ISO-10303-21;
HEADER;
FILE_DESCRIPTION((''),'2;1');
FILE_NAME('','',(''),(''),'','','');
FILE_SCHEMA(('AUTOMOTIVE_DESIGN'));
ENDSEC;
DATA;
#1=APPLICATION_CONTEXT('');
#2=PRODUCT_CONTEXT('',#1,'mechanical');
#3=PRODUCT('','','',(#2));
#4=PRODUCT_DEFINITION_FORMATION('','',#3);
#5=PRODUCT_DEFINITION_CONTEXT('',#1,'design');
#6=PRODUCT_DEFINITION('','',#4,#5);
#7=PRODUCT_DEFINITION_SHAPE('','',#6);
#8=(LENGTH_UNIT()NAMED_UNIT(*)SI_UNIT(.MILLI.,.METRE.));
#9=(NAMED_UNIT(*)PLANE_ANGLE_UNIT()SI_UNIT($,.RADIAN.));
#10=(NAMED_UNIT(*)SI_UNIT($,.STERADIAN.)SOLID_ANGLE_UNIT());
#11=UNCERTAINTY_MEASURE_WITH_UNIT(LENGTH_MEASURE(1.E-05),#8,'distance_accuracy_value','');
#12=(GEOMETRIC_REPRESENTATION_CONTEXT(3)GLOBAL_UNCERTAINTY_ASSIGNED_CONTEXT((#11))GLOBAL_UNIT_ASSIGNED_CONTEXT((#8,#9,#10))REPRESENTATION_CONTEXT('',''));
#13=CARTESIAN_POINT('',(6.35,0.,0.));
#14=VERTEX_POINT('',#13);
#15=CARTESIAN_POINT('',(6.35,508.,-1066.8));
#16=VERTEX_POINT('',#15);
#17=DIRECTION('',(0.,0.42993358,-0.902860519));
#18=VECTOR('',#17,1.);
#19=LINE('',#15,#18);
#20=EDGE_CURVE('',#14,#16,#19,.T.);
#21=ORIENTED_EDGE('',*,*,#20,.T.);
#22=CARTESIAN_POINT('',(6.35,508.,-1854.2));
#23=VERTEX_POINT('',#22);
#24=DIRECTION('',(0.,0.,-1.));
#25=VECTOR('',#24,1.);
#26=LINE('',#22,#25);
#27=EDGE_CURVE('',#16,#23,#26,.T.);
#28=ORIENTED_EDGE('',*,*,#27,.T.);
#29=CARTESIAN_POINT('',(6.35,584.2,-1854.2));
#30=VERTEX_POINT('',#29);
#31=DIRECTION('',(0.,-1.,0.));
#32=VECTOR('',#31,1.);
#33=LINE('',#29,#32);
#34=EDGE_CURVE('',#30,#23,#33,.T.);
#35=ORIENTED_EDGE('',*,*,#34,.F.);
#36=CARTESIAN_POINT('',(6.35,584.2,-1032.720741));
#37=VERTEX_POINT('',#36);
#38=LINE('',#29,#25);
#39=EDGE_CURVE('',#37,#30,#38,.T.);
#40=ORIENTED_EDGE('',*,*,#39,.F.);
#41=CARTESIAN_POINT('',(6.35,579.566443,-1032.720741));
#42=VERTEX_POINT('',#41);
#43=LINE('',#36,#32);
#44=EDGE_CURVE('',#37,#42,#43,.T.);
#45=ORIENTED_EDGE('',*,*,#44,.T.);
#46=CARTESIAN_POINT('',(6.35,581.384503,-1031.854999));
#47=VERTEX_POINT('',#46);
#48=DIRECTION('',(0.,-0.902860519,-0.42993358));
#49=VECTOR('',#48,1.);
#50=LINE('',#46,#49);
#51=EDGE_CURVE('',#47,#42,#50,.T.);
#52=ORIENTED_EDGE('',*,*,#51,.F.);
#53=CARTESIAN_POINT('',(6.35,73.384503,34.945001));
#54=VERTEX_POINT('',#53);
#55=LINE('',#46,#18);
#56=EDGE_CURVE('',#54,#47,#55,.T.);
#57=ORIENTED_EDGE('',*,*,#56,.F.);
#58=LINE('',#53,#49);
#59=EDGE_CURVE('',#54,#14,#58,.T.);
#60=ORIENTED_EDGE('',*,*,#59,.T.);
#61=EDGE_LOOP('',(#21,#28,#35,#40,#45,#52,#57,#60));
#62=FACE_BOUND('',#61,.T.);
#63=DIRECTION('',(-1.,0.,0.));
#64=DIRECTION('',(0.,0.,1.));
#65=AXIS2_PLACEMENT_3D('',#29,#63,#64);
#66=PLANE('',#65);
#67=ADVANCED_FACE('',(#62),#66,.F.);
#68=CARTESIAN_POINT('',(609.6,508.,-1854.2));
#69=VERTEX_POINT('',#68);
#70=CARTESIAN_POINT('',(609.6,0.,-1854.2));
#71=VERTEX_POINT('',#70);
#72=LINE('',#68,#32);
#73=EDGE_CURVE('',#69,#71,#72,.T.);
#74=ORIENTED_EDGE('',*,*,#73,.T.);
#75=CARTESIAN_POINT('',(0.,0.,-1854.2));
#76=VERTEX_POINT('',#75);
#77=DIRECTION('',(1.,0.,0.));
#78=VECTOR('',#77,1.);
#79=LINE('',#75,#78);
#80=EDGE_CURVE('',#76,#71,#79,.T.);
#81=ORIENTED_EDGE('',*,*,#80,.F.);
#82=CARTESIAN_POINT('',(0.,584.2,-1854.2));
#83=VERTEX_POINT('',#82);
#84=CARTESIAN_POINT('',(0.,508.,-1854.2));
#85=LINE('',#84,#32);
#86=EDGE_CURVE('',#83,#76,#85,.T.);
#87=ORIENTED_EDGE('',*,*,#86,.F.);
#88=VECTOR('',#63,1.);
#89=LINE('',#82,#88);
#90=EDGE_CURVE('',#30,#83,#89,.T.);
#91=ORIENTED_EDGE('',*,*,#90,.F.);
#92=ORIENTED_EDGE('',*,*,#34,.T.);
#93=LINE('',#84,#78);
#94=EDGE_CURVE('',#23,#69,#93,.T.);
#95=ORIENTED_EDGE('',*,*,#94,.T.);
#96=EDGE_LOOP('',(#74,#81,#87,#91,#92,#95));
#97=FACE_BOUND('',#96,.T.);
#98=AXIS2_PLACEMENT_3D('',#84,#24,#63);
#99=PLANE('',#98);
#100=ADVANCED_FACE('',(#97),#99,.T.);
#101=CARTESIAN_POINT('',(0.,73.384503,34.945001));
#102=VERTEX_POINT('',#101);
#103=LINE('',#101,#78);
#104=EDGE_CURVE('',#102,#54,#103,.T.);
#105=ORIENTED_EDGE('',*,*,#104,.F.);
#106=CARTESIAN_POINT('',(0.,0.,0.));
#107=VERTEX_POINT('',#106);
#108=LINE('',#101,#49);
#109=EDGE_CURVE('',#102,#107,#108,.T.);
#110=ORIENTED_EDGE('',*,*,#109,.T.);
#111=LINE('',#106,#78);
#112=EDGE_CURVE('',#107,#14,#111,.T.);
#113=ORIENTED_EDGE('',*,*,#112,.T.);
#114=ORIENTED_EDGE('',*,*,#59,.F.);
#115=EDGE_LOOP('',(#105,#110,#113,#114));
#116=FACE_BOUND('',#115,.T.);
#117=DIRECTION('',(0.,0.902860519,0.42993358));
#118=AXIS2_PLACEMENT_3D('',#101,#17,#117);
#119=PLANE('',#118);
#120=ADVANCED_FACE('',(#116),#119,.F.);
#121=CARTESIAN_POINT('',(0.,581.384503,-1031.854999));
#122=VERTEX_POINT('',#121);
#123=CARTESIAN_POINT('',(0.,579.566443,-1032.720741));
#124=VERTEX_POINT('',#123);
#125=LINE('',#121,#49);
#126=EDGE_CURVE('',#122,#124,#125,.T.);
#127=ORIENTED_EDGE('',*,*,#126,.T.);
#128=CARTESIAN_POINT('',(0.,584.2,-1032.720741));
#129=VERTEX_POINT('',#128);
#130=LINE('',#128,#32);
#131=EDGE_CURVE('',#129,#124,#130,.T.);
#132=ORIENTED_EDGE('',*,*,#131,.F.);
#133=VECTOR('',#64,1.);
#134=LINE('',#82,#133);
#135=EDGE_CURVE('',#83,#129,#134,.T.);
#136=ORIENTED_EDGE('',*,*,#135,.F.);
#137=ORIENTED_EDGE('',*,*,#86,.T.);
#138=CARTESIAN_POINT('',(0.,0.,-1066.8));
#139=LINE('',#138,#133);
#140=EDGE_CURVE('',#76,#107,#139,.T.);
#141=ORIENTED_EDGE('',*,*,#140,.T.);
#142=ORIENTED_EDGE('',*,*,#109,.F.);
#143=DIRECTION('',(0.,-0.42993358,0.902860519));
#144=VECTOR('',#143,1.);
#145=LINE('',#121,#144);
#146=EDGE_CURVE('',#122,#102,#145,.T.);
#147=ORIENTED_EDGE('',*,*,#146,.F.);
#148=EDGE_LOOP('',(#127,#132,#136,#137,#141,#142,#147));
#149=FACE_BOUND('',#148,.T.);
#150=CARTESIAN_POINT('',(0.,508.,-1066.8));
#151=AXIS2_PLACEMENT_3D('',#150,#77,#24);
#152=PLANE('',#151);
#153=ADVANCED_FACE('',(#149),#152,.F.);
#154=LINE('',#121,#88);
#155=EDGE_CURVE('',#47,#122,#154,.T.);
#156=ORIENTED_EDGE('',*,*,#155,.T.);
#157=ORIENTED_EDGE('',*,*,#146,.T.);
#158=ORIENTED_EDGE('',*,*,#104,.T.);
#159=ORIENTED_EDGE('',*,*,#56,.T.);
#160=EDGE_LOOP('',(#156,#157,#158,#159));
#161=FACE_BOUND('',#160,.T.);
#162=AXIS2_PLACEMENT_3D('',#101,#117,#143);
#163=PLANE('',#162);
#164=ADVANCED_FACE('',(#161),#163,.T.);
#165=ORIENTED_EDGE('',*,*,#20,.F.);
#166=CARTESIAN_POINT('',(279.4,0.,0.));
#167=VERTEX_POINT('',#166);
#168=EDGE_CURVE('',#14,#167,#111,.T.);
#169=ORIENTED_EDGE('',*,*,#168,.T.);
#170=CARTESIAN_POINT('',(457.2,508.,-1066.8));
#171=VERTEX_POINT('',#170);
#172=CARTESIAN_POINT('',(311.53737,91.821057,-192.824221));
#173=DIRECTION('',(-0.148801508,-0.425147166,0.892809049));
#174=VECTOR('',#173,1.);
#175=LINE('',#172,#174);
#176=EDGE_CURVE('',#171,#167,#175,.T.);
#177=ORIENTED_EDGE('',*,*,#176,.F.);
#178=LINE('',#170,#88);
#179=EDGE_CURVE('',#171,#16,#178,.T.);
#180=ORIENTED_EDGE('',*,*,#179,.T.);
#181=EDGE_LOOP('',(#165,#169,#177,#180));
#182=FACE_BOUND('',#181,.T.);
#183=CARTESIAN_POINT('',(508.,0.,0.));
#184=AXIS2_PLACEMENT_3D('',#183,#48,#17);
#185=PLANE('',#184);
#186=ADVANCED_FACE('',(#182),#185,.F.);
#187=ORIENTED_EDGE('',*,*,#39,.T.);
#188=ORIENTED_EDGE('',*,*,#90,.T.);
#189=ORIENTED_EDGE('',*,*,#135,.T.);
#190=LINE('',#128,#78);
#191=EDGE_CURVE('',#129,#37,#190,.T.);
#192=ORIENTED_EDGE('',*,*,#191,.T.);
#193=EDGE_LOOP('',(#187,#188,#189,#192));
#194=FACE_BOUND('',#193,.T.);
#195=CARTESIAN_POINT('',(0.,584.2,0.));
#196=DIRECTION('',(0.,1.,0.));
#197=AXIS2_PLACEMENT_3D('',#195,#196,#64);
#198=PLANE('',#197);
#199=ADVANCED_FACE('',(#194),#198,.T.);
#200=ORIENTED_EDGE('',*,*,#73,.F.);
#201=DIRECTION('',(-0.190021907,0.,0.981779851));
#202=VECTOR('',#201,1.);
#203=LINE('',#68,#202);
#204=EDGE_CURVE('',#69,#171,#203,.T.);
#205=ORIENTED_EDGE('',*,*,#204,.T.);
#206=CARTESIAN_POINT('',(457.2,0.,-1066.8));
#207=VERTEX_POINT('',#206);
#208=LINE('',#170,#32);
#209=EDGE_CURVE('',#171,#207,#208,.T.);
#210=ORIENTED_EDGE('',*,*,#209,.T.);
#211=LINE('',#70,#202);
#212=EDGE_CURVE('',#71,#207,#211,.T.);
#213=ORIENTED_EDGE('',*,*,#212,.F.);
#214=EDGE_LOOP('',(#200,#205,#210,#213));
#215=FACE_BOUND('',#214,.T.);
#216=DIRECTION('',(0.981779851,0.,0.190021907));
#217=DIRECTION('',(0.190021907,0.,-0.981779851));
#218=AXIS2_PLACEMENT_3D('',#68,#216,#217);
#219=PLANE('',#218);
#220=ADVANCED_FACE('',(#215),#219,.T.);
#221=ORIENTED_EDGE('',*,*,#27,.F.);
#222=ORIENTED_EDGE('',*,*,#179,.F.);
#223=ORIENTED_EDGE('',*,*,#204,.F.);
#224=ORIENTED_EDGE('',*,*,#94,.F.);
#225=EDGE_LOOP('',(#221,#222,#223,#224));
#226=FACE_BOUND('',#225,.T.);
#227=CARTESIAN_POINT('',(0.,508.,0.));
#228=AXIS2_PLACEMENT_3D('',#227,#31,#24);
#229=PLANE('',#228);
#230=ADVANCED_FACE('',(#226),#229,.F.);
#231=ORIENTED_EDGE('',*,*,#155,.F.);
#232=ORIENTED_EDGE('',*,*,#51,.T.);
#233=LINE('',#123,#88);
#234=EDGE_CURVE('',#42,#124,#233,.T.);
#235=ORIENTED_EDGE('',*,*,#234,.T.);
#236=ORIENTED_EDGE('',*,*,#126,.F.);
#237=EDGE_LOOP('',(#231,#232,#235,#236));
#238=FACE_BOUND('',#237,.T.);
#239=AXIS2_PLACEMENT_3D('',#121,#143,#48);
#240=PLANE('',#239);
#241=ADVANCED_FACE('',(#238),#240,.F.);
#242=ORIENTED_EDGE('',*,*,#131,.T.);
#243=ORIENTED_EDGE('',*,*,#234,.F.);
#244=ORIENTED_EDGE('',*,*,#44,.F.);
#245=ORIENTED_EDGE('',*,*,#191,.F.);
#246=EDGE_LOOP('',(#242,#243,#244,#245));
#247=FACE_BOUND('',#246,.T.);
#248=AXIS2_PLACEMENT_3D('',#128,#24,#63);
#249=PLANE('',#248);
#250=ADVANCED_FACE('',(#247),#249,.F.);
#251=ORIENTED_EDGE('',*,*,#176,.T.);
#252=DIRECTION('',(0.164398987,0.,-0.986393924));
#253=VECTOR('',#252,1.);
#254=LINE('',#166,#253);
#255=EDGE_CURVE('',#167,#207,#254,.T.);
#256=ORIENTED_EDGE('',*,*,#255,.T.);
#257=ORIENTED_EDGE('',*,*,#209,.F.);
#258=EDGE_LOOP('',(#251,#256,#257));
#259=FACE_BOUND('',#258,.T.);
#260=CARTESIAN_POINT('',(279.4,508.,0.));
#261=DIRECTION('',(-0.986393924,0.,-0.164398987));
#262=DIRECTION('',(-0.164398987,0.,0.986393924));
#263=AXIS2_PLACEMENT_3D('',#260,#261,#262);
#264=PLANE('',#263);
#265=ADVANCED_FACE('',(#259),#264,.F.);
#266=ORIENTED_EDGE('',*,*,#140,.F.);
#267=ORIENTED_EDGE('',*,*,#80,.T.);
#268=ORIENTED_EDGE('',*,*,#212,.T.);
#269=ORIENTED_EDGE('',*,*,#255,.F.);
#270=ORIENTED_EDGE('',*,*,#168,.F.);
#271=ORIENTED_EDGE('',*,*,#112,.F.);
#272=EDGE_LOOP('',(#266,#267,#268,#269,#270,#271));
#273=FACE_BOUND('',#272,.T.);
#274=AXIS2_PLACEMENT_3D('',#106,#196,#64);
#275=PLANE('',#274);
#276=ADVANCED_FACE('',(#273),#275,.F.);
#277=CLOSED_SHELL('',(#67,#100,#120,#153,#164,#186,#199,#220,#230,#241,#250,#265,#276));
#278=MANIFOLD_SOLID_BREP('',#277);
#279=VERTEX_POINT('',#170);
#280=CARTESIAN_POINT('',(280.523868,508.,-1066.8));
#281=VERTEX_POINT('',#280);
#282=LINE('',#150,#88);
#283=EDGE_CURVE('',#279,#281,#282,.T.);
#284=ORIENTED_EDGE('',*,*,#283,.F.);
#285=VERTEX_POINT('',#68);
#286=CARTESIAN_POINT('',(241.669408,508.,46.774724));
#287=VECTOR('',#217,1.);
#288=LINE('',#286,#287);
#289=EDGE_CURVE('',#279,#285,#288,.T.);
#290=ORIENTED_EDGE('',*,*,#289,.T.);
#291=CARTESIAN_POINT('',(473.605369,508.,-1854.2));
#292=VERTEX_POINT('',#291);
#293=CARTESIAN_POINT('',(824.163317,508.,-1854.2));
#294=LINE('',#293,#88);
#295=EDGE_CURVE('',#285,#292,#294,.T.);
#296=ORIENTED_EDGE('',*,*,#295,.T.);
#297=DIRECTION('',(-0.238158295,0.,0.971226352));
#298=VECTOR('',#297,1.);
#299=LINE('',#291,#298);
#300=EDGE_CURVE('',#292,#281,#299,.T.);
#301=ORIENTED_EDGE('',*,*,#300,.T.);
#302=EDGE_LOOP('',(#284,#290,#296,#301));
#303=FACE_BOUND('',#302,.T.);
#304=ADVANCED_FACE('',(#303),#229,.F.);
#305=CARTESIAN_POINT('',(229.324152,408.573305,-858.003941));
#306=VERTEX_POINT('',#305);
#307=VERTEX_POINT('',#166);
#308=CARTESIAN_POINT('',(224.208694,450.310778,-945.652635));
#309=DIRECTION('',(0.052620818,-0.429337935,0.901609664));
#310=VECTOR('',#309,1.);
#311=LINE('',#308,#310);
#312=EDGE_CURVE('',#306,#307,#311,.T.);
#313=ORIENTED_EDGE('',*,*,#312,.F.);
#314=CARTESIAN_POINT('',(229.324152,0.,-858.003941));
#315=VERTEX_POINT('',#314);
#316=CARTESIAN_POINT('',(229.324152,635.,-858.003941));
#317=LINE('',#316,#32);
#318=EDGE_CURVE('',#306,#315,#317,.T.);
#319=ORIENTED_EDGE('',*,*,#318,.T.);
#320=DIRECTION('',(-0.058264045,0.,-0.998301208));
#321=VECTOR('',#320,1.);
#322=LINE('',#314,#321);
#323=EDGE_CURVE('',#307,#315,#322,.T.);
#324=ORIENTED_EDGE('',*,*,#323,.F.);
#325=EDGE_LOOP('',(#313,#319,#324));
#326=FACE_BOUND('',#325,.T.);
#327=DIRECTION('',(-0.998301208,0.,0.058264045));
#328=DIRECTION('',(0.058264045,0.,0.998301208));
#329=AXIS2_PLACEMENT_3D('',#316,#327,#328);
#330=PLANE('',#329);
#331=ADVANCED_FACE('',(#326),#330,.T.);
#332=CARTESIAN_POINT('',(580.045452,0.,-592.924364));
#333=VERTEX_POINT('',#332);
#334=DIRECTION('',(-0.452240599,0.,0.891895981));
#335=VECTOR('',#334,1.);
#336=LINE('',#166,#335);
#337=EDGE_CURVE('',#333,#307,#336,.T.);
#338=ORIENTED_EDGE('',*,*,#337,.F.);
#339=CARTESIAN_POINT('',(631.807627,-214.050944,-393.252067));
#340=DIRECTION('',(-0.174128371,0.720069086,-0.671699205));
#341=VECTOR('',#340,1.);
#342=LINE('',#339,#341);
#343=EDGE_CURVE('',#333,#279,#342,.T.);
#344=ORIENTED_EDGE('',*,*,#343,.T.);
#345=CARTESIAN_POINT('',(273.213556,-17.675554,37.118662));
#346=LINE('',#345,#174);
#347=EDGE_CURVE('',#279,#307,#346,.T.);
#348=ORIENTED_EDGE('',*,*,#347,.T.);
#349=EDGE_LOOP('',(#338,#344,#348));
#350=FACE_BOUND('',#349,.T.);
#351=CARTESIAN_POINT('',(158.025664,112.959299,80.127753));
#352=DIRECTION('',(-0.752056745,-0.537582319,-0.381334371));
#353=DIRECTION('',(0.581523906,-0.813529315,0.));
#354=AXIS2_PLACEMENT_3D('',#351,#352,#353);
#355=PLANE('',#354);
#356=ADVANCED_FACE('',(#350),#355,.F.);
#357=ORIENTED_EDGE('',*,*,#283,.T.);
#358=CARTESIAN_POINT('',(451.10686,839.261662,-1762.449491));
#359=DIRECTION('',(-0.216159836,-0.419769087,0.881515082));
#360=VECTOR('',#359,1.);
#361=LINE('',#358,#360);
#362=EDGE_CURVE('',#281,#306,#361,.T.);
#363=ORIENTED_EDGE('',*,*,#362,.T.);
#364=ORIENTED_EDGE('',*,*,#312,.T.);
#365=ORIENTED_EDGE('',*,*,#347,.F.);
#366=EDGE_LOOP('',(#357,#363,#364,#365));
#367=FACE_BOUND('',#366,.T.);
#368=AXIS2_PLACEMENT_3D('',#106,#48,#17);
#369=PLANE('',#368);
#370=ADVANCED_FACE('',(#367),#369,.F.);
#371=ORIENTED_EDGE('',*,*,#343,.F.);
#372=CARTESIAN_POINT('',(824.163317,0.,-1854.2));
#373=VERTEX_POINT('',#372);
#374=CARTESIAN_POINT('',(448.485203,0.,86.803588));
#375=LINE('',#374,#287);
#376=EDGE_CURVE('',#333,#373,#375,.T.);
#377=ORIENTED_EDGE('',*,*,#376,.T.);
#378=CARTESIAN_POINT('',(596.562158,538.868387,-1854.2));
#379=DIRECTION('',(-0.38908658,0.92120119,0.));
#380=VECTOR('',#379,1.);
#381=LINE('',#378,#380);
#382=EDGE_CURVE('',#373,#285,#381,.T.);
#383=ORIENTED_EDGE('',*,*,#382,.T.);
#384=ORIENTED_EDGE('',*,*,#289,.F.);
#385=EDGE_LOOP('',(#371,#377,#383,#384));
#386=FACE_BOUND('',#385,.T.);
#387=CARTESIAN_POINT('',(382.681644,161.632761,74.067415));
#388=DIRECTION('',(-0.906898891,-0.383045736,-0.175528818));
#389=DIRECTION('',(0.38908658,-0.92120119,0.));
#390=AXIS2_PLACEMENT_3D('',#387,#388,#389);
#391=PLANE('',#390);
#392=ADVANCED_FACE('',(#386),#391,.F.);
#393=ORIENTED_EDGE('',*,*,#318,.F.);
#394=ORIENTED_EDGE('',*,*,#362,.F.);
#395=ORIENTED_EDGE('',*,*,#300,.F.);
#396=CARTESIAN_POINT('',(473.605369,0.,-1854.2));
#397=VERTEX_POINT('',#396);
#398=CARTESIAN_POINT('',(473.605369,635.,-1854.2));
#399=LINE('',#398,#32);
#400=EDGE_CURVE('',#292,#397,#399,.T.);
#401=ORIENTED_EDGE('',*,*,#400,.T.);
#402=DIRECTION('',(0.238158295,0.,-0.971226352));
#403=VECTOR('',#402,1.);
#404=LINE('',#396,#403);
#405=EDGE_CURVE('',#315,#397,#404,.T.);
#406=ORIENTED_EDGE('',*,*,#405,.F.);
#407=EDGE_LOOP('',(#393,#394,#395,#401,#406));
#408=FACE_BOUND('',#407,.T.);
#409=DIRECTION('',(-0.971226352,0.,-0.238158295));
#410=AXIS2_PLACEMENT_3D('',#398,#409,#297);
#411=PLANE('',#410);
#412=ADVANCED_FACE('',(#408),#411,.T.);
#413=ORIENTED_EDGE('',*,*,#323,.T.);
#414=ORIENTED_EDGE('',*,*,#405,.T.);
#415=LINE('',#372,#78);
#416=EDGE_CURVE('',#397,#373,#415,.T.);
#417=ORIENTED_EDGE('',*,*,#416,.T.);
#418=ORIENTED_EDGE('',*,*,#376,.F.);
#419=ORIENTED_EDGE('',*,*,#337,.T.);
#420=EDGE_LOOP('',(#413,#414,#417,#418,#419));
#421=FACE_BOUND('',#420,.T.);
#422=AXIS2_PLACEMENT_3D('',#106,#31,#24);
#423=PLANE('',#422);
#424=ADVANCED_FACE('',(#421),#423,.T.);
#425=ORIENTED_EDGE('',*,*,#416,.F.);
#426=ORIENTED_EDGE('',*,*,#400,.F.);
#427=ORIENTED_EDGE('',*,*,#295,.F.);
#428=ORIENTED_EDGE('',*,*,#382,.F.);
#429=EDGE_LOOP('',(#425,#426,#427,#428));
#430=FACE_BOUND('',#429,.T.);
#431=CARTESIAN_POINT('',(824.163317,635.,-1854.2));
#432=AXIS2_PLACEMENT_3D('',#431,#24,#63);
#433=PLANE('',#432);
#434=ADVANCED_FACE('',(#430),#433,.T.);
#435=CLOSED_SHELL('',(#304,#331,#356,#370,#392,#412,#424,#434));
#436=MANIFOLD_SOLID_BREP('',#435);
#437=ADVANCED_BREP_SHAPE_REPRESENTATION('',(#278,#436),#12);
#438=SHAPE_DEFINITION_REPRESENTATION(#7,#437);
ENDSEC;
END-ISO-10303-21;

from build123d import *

# Parameters (mm, degrees)
BOSS_EXTRUDE1_DEPTH = 508
CUT_EXTRUDE1_DEPTH  = 508
BOSS_EXTRUDE2_DEPTH = 508
BOSS_EXTRUDE3_DEPTH = 635
CUT_EXTRUDE3_DEPTH  = 1016
CUT_EXTRUDE6_DEPTH  = 508
CUT_EXTRUDE7_DEPTH  = 1016
CUT_EXTRUDE8_DEPTH  = 1016
CUT_EXTRUDE9_DEPTH  = 1016
SKETCH10_W          = 6.35
SKETCH10_H          = 821.479258641
BOSS_EXTRUDE4_DEPTH = 76.2
SKETCH11_W          = 6.35
SKETCH11_H          = 1181.577860321
BOSS_EXTRUDE6_DEPTH = 81.28


with BuildPart() as part:
    # Sketch1 → Boss-Extrude1 (new body)
    with BuildSketch(Plane(origin=(0, 0, 0), x_dir=(1, 0, 0), z_dir=(0, 1, 0))):
        Polygon((0, 1066.8), (0, 0), (279.4, 0), (457.2, 1066.8), align=None)
    extrude(amount=BOSS_EXTRUDE1_DEPTH)

    # Sketch2 → Cut-Extrude1 (cut)
    with BuildSketch(Plane.ZY):
        Polygon((0, 0), (-1066.8, 508), (-1066.8, 732.672417782), (0, 732.672417782), align=None)
    extrude(amount=-CUT_EXTRUDE1_DEPTH, mode=Mode.SUBTRACT)

    # Sketch3 → Boss-Extrude2 (add)
    with BuildSketch(Plane.XZ):
        Polygon((0, -1066.8), (0, -1854.2), (609.6, -1854.2), (457.2, -1066.8), align=None)
    extrude(amount=-BOSS_EXTRUDE2_DEPTH)

    # Sketch10 → Boss-Extrude4 (add)
    with BuildSketch(Plane(origin=(0, 508, 0), x_dir=(1, 0, 0), z_dir=(0, 1, 0))):
        with Locations((3.175, 1443.46037068)):
            Rectangle(SKETCH10_W, SKETCH10_H)
    extrude(amount=BOSS_EXTRUDE4_DEPTH)

    # Sketch11 → Boss-Extrude6 (add)
    with BuildSketch(Plane(origin=(0, 0, 0), x_dir=(1, 0, 0), z_dir=(0, 0.902860519, 0.42993358))):
        with Locations((3.175, 590.788930161)):
            Rectangle(SKETCH11_W, SKETCH11_H)
    extrude(amount=BOSS_EXTRUDE6_DEPTH)


with BuildPart() as body_2:
    # Sketch4 → Boss-Extrude3 (new body)
    with BuildSketch(Plane.XZ):
        Polygon((279.4, 0), (758.024602406, -943.929756814), (824.163316724, -1854.2), (609.6, -1854.2), (473.605368522, -1854.2), (229.324151542, -858.00394067), align=None)
    extrude(amount=-BOSS_EXTRUDE3_DEPTH)

    # Sketch5 → Cut-Extrude3 (cut)
    with BuildSketch(Plane(origin=(158.02566363, 112.959299077, 80.127753023), x_dir=(-0.31022669, -0.221755053, 0.924437179), z_dir=(-0.752056745, -0.537582319, -0.381334371))):
        Polygon((-393.664649125, 703.625608499), (953.241894052, -176.928807588), (-1326.842790058, -923.556364957), (-2274.788319735, -628.326732027), (-2325.528348512, 172.375821483), align=None)
    extrude(amount=-CUT_EXTRUDE3_DEPTH, mode=Mode.SUBTRACT)

    # Sketch6 → Cut-Extrude6 (cut)
    with BuildSketch(Plane(origin=(397.94007399, 254.27896004, 77.020659482), x_dir=(0.135641307, 0.086673177, -0.986959572), z_dir=(0.831669714, 0.531427026, 0.160968332))):
        Polygon((1082.533011894, 1261.854611528), (2538.800510351, 767.688534421), (2437.604130324, -1113.046367909), (306.999460867, -1023.580096849), align=None)
    extrude(amount=CUT_EXTRUDE6_DEPTH, mode=Mode.SUBTRACT)

    # Sketch7 → Cut-Extrude7 (cut)
    with BuildSketch(Plane(origin=(0, 0, 0), x_dir=(1, 0, 0), z_dir=(0, 0.902860519, 0.42993358))):
        Polygon((0, 1181.577860321), (0, 0), (1197.045935399, 0), (1543.879463505, 955.927792479), (976.352766556, 2301.292030359), align=None)
    extrude(amount=CUT_EXTRUDE7_DEPTH, mode=Mode.SUBTRACT)

    # Sketch8 → Cut-Extrude8 (cut)
    with BuildSketch(Plane(origin=(382.681643927, 161.632761359, 74.067414954), x_dir=(0.161697356, 0.068295907, -0.984474293), z_dir=(0.906898891, 0.383045736, 0.175528818))):
        Polygon((1197.556798458, 999.143883777), (2455.295967915, 323.49765858), (2410.705423203, -956.043074474), (776.288597468, -956.043074474), (430.351182168, -503.275200855), align=None)
    extrude(amount=CUT_EXTRUDE8_DEPTH, mode=Mode.SUBTRACT)

    # Sketch9 → Cut-Extrude9 (cut)
    with BuildSketch(Plane(origin=(0, 508, 0), x_dir=(1, 0, 0), z_dir=(0, 1, 0))):
        Polygon((351.522364305, 2301.225932819), (1863.401978722, 1800.09916747), (1313.944223798, 629.194662402), (-286.938271333, 375.015467974), (-444.004316346, 1364.25568729), align=None)
    extrude(amount=CUT_EXTRUDE9_DEPTH, mode=Mode.SUBTRACT)


solid = Compound([part.part, body_2.part])
